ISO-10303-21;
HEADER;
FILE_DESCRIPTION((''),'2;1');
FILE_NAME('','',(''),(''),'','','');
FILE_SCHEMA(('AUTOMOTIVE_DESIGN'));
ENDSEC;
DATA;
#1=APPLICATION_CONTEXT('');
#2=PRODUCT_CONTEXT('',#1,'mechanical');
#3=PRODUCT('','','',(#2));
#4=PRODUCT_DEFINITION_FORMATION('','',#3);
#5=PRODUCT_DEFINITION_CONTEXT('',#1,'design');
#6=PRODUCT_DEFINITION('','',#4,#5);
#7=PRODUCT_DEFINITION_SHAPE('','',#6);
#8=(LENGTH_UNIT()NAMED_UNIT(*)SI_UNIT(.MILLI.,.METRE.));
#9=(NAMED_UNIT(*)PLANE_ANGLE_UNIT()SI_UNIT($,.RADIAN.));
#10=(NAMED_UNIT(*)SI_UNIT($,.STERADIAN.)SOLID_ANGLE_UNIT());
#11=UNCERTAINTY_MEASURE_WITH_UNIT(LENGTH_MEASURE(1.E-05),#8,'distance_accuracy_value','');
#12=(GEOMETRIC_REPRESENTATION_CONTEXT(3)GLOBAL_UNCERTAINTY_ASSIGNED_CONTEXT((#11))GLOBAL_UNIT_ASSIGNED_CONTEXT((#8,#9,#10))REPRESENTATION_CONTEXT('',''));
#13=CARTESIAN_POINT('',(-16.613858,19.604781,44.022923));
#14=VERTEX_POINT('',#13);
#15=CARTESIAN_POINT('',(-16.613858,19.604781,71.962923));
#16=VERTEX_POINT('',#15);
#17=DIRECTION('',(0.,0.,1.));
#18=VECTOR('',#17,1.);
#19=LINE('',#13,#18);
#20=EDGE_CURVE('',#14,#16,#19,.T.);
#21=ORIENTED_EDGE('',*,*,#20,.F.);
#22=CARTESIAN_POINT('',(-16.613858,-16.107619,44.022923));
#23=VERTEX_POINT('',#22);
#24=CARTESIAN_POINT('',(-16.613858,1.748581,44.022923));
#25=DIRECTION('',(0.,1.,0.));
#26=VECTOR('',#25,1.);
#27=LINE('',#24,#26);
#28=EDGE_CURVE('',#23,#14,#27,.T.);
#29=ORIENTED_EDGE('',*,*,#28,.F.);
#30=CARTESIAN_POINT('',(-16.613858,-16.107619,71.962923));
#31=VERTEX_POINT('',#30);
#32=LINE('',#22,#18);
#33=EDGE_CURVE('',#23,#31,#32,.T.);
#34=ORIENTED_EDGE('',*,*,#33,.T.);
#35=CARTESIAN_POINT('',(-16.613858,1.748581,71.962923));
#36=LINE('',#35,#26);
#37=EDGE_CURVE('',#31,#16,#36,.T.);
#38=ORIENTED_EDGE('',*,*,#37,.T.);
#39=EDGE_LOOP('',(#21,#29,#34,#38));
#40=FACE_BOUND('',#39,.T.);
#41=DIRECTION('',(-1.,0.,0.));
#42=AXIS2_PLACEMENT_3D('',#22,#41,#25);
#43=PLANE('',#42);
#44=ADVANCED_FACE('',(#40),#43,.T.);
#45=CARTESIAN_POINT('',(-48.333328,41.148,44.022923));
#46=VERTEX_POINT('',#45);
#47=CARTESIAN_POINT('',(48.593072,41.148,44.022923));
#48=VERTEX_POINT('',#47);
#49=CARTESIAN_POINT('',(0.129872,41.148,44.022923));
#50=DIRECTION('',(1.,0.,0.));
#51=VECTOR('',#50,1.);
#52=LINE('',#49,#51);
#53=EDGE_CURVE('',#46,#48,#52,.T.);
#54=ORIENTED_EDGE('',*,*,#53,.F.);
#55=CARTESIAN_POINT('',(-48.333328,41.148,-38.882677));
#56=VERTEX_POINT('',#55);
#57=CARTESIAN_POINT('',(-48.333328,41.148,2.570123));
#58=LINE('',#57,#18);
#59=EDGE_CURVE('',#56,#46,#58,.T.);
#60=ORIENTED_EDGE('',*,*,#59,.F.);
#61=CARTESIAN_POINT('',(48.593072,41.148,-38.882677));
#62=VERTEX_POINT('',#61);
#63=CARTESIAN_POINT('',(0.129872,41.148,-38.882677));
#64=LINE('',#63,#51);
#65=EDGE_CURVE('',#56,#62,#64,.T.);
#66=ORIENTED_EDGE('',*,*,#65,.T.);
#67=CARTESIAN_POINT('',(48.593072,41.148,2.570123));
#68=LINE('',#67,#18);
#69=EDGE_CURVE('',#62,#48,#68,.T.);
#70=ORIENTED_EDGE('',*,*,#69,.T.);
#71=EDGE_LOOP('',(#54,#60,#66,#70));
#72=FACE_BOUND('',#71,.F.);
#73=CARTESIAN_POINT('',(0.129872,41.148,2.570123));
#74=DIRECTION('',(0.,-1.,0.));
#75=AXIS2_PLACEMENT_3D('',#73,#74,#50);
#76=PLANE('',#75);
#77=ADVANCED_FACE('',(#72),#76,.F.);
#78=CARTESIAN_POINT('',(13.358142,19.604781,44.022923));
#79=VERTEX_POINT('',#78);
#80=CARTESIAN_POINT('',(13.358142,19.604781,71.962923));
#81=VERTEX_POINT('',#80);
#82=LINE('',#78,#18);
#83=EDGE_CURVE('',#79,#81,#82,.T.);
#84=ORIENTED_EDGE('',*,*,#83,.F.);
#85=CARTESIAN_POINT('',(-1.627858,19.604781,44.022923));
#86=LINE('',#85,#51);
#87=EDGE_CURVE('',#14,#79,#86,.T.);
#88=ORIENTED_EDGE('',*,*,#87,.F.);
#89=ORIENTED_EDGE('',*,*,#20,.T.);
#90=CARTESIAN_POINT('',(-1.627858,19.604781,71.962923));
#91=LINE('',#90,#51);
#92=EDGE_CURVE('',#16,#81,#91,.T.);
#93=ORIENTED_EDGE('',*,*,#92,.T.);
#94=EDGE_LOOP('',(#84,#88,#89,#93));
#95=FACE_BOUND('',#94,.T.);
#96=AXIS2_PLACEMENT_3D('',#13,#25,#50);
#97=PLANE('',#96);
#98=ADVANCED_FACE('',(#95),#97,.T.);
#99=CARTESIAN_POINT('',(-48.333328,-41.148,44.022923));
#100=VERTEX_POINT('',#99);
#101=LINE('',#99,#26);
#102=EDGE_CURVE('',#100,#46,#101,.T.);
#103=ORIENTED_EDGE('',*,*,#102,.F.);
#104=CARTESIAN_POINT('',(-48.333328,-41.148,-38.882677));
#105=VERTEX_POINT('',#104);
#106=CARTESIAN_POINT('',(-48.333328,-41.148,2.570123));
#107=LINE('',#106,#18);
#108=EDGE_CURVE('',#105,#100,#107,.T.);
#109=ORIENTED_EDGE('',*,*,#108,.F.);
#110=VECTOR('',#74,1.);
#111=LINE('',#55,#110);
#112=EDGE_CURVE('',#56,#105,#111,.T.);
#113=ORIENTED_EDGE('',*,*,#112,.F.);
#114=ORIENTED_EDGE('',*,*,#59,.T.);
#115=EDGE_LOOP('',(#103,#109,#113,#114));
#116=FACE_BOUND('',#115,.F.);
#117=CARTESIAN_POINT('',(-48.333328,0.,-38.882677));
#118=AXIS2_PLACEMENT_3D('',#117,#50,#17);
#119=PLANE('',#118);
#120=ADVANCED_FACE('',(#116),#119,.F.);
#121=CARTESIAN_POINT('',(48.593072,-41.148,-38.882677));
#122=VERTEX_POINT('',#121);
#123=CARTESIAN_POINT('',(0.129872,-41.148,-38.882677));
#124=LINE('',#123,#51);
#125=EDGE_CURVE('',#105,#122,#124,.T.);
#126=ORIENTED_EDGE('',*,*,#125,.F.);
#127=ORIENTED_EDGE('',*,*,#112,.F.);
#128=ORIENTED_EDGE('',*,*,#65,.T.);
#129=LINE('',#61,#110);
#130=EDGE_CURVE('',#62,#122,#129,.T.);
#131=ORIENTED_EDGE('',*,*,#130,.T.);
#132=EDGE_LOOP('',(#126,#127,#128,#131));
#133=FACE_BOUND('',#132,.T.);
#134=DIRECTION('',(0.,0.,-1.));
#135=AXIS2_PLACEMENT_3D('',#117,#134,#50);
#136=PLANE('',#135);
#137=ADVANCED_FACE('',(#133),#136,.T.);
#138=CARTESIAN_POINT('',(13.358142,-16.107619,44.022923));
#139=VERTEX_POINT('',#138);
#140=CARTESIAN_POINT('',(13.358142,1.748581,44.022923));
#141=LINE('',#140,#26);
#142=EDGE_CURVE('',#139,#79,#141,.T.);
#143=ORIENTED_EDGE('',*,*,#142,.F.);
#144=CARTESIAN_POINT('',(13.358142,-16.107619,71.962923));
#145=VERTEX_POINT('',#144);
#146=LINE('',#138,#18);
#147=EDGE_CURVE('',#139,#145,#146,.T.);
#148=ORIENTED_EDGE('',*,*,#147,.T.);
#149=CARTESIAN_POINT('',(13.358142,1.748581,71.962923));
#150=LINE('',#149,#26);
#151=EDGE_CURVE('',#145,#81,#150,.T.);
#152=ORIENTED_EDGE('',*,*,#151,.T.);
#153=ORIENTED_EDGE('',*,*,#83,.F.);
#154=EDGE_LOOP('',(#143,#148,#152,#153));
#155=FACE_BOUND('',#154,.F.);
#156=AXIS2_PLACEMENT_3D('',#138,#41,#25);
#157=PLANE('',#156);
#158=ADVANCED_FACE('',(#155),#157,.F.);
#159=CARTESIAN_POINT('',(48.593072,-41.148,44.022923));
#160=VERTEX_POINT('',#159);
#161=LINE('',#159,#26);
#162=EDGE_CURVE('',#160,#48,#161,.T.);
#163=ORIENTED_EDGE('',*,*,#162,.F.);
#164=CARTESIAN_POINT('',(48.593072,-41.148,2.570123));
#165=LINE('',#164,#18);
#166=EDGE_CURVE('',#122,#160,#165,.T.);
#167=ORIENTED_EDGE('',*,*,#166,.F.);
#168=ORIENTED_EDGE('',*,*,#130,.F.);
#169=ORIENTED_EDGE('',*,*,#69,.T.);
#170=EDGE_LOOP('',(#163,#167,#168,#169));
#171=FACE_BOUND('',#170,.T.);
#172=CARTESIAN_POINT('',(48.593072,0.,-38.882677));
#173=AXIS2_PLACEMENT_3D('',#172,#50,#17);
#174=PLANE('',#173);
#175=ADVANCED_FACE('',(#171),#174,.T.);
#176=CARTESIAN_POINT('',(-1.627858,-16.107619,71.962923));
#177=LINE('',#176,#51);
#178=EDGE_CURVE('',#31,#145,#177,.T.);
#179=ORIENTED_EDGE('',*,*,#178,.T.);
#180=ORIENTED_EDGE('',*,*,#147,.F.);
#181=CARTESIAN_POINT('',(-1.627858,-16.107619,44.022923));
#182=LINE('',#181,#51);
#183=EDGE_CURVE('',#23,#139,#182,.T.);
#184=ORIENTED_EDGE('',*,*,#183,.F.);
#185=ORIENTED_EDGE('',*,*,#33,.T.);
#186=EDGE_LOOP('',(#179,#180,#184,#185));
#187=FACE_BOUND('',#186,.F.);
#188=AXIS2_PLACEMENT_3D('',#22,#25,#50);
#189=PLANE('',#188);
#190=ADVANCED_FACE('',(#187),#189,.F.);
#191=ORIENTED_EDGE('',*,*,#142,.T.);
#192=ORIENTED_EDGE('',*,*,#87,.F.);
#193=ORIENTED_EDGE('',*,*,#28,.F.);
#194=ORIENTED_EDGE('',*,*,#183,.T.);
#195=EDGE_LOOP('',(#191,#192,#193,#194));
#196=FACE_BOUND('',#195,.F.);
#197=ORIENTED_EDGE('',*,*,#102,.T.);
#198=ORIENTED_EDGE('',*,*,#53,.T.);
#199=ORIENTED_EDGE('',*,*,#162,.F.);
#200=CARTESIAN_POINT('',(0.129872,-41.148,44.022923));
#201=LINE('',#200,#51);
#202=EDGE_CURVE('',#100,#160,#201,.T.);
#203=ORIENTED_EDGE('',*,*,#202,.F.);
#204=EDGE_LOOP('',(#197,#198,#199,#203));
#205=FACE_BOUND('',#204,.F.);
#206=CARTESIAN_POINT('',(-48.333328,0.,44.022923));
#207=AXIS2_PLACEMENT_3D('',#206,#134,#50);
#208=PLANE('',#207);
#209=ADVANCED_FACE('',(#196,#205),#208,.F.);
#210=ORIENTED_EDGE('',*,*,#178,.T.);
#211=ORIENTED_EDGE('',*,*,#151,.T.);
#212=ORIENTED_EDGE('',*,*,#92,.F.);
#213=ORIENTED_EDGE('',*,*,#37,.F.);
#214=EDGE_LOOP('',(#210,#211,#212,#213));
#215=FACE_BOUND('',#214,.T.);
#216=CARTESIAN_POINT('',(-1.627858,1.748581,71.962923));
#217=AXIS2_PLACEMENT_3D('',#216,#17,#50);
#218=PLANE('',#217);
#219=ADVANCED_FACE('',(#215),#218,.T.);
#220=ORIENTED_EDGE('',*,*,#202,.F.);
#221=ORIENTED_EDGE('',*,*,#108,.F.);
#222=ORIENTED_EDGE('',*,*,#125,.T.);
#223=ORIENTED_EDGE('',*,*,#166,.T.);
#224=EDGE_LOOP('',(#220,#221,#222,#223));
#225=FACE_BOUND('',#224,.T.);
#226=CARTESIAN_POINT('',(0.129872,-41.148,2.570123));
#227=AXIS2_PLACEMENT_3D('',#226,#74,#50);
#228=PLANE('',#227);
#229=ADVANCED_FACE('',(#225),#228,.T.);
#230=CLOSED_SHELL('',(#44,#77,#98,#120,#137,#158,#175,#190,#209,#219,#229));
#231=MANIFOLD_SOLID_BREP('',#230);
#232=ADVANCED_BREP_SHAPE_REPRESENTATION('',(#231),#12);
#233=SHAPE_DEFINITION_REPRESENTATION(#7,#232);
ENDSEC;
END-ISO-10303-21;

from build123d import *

# Parameters (mm, degrees)
F0_W     = 96.9264
F0_H     = 82.9056
F1_DEPTH = 41.148
F2_W     = 29.972
F2_H     = 35.7124
F3_DEPTH = 27.94


with BuildPart() as f1:
    # F0 (on Front) → F1 (new body, symmetric)
    with BuildSketch(Plane.XZ):
        with Locations((0.129872, 2.570123)):
            Rectangle(F0_W, F0_H)
    extrude(amount=F1_DEPTH, both=True)

    # F2 (on face) → F3 (join)
    with BuildSketch(Plane.XY.offset(44.022923)):
        with Locations((-1.627858, 1.748581)):
            Rectangle(F2_W, F2_H)
    extrude(amount=F3_DEPTH)


solid = f1.part
